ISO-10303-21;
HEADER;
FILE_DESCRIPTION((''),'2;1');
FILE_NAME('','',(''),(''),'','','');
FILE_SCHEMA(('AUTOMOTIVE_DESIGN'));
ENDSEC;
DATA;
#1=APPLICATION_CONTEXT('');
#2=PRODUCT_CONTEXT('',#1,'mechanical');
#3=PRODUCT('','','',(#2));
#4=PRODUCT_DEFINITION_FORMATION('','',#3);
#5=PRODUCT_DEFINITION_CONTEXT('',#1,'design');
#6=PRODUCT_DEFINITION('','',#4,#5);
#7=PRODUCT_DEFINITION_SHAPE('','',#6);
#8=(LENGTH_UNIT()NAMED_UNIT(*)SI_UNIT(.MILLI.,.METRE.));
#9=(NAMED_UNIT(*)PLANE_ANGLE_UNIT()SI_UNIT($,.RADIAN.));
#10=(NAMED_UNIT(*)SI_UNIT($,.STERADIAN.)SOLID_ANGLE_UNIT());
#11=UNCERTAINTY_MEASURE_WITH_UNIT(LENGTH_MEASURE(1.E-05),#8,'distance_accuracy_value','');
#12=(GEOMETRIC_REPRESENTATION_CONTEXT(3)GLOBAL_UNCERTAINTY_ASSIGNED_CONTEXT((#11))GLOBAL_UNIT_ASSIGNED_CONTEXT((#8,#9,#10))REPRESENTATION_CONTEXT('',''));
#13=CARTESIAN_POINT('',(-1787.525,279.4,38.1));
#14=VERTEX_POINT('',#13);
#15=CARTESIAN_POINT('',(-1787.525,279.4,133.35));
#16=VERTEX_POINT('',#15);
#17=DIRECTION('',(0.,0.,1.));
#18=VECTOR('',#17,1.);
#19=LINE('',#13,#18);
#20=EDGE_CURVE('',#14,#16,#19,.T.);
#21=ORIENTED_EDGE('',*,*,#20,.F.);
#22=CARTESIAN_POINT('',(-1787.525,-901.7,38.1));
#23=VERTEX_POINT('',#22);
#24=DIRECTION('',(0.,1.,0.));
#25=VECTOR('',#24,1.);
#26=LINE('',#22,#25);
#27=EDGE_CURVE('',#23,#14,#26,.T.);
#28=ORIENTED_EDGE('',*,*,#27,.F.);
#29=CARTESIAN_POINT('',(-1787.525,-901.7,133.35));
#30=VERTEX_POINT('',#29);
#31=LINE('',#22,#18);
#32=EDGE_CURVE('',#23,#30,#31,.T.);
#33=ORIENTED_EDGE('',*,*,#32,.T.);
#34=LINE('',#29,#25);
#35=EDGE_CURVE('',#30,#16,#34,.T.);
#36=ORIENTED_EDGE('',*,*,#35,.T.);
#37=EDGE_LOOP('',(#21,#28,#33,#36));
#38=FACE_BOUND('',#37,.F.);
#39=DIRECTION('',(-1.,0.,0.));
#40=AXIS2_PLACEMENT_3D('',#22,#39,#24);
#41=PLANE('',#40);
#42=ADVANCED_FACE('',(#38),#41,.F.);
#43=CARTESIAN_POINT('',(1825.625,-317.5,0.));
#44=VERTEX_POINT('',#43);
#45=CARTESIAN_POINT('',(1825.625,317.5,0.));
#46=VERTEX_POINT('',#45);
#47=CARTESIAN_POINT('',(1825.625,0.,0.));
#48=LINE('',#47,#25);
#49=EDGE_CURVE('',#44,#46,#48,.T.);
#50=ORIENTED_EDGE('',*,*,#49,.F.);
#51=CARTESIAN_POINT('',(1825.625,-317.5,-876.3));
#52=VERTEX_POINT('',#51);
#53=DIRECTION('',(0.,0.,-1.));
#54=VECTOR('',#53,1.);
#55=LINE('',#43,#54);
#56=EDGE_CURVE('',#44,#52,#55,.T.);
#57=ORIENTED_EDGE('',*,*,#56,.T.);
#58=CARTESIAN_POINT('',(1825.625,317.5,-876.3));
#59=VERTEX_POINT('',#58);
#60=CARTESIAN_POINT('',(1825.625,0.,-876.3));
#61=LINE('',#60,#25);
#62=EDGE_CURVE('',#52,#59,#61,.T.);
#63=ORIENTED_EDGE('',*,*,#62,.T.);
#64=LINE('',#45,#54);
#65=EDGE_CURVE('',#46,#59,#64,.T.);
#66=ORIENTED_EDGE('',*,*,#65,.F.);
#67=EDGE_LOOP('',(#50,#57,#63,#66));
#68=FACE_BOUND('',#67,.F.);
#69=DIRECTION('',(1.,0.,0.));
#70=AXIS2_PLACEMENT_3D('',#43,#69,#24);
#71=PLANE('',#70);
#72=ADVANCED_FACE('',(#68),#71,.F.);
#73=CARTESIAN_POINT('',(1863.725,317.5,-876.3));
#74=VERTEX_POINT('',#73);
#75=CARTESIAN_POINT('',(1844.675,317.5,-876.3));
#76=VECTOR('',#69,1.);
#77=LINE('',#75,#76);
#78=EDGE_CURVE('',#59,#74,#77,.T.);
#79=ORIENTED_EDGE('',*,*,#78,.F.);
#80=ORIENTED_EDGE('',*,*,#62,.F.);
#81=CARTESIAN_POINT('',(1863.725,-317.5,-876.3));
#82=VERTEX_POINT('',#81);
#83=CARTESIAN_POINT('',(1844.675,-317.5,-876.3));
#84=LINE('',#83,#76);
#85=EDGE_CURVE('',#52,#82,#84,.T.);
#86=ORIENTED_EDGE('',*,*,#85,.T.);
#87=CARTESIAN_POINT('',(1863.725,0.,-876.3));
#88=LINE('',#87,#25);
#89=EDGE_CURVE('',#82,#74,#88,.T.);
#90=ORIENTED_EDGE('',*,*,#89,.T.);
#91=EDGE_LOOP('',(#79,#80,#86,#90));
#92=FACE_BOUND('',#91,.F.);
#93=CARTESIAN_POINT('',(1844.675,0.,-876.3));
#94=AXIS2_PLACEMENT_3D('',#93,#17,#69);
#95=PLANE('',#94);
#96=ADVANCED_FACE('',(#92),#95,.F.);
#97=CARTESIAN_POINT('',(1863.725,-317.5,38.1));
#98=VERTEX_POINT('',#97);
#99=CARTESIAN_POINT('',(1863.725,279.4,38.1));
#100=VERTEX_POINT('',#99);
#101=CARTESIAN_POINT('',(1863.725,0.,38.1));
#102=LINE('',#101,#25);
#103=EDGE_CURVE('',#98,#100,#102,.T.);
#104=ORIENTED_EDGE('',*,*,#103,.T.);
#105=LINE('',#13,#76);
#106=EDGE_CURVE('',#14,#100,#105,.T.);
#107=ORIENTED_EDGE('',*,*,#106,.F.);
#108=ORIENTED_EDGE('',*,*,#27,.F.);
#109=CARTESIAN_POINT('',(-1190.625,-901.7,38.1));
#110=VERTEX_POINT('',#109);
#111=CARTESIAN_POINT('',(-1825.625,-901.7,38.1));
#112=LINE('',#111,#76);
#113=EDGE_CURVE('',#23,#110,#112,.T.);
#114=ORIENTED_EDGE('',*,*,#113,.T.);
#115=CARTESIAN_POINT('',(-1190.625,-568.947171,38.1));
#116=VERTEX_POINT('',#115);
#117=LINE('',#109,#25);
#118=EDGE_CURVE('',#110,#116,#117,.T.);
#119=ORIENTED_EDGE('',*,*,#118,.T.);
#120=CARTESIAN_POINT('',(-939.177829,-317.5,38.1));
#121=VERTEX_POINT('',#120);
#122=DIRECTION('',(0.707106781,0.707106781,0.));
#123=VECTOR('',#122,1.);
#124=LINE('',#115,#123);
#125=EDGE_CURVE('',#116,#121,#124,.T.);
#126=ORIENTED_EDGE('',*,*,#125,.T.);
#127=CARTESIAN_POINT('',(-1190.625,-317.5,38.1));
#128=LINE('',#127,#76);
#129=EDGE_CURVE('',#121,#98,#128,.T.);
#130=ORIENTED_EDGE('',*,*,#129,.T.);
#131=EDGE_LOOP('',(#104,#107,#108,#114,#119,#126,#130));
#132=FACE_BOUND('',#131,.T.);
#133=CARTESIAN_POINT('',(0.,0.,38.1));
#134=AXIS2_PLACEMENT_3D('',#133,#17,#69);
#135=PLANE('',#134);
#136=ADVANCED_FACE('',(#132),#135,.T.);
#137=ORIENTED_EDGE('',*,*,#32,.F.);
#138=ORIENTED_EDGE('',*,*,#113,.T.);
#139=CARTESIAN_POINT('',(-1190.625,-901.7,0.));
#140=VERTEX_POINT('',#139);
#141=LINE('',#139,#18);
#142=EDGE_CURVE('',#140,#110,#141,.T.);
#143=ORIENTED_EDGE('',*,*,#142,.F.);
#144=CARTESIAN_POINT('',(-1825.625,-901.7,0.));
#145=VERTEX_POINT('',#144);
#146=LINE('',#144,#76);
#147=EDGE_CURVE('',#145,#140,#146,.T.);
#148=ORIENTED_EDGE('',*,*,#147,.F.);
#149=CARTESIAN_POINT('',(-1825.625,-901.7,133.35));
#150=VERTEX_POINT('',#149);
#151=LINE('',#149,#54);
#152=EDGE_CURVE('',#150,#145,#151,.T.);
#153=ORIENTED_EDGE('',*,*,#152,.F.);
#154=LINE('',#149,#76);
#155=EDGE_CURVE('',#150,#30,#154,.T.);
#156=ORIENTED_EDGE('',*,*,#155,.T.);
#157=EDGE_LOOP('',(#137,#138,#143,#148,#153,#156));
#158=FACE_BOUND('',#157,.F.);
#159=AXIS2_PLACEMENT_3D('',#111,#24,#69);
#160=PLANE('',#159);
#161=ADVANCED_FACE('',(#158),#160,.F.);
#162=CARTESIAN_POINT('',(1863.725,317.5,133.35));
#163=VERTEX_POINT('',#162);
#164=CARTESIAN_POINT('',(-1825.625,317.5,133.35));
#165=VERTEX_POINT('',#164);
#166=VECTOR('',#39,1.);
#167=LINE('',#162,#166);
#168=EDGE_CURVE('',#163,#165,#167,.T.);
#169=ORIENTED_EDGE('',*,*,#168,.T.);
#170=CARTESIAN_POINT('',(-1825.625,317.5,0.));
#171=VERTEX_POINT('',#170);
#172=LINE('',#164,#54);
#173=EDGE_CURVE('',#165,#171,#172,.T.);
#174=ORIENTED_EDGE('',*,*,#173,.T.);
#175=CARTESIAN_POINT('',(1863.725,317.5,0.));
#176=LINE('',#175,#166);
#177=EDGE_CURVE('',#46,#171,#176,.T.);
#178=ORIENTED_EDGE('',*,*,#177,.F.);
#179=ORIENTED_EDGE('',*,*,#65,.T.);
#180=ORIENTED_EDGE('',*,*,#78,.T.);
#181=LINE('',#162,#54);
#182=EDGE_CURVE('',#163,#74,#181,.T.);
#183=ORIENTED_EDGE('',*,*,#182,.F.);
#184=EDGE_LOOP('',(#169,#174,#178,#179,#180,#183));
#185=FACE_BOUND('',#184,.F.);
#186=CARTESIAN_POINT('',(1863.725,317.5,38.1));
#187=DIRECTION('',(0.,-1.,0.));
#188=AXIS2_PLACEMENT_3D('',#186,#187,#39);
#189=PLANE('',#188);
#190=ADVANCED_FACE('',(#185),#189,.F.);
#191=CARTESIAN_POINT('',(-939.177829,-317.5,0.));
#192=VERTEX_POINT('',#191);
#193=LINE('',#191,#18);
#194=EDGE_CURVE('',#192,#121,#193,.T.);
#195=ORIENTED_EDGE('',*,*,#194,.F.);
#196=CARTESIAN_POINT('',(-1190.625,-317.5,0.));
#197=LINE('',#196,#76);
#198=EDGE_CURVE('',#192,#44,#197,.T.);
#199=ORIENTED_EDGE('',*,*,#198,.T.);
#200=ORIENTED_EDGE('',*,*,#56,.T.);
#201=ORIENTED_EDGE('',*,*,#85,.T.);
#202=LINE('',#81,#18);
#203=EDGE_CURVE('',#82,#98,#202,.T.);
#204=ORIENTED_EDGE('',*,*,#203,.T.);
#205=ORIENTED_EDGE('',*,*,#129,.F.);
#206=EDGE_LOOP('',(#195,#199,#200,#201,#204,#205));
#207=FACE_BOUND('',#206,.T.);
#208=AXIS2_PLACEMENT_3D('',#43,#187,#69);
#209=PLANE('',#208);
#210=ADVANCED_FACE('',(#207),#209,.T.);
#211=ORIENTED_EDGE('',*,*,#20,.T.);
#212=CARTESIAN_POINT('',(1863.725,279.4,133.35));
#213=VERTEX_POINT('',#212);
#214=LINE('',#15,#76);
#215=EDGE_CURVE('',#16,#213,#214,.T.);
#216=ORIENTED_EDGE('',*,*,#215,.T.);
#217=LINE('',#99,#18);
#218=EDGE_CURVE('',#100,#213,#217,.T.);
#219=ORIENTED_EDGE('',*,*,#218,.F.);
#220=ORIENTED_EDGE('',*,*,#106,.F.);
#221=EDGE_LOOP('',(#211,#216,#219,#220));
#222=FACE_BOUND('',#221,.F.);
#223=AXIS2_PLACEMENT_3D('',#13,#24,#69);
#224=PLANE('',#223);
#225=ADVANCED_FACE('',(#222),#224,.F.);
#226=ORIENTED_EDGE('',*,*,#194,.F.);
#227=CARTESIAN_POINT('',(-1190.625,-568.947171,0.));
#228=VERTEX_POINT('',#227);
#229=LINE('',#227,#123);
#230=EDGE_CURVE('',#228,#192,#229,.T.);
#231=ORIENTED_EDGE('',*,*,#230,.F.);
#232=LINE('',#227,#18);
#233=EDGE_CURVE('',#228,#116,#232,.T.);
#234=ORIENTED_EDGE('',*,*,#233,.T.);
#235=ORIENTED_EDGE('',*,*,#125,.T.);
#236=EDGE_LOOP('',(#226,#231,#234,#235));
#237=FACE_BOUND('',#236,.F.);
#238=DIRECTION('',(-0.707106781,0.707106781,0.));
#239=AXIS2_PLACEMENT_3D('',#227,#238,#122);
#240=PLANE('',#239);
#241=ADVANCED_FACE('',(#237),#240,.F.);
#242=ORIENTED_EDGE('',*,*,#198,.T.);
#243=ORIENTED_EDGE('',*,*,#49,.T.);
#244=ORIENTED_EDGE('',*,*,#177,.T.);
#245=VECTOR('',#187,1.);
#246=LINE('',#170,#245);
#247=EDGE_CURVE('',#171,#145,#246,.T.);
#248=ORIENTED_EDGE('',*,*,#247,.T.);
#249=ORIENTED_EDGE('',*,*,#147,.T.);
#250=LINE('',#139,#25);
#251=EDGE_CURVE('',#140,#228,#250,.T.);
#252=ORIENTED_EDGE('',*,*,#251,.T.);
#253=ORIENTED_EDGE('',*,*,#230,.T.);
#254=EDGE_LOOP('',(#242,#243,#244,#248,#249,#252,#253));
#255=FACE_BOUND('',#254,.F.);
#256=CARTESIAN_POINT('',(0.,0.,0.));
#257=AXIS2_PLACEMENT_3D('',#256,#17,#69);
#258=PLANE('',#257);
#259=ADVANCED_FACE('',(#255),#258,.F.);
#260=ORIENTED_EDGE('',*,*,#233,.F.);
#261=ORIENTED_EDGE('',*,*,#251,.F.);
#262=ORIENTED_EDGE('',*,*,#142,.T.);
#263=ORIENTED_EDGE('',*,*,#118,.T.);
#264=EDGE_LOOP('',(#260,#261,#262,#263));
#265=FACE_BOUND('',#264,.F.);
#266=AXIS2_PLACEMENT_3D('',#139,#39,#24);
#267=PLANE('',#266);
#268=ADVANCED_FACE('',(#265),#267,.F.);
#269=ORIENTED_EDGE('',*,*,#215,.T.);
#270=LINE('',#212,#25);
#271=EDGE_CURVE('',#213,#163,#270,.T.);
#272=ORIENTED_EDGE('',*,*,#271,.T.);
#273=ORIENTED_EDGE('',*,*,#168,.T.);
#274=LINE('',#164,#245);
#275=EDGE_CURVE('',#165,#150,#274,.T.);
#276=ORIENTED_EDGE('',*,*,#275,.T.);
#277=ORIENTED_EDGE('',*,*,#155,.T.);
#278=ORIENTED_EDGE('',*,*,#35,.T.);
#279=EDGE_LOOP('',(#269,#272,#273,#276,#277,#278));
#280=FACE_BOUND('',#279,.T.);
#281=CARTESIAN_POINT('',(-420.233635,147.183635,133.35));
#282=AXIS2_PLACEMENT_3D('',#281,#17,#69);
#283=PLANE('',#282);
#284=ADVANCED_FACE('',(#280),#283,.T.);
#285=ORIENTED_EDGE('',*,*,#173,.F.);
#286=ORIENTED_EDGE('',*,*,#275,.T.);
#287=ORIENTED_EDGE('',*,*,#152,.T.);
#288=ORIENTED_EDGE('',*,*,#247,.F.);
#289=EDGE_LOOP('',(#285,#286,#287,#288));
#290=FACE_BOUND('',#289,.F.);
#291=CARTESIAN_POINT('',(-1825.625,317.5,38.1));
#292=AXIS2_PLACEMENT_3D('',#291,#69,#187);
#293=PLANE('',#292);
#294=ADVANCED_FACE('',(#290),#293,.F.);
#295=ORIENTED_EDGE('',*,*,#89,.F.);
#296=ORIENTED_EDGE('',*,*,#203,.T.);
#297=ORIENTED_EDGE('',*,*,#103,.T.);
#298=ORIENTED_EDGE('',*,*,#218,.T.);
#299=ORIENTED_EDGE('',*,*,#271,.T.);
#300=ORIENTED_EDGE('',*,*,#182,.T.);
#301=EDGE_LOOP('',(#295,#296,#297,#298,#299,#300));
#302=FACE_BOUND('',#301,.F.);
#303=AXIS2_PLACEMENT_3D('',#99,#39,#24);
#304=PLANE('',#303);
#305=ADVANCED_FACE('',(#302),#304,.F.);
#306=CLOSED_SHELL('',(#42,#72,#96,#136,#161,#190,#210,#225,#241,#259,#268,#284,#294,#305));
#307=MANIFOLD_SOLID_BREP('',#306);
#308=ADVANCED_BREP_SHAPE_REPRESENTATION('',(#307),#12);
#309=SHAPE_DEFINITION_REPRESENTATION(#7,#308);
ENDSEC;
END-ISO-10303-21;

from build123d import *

# Parameters (mm, degrees)
F0_W     = 38.1
F0_H     = 635
F1_DEPTH = 38.1
F2_DEPTH = 876.3
F4_DEPTH = 95.25


with BuildPart() as f1:
    # F0 (on Top) → F1 (new body)
    with BuildSketch(Plane.XY):
        Polygon((1825.625, -317.5), (1825.625, 317.5), (-1825.625, 317.5), (-1825.625, -317.5), (-1190.625, -317.5), (-939.177829, -317.5), align=None)
        Polygon((-1190.625, -317.5), (-1825.625, -317.5), (-1825.625, -901.7), (-1190.625, -901.7), (-1190.625, -568.947171), align=None)
        with Locations((1844.675, 0)):
            Rectangle(F0_W, F0_H)
        Polygon((-1190.625, -568.947171), (-939.177829, -317.5), (-1190.625, -317.5), align=None)
    extrude(amount=F1_DEPTH)

    # F0 (on Top) → F2 (join)
    with BuildSketch(Plane.XY):
        with Locations((1844.675, 0)):
            Rectangle(F0_W, F0_H)
    extrude(amount=-F2_DEPTH)

    # F3 (on face) → F4 (join)
    with BuildSketch(Plane.XY.offset(38.1)):
        Polygon((-1825.625, 279.4), (-1825.625, -901.7), (-1787.525, -901.7), (-1787.525, 279.4), (1863.725, 279.4), (1863.725, 317.5), (-1787.525, 317.5), (-1825.625, 317.5), align=None)
    extrude(amount=F4_DEPTH)


solid = f1.part
